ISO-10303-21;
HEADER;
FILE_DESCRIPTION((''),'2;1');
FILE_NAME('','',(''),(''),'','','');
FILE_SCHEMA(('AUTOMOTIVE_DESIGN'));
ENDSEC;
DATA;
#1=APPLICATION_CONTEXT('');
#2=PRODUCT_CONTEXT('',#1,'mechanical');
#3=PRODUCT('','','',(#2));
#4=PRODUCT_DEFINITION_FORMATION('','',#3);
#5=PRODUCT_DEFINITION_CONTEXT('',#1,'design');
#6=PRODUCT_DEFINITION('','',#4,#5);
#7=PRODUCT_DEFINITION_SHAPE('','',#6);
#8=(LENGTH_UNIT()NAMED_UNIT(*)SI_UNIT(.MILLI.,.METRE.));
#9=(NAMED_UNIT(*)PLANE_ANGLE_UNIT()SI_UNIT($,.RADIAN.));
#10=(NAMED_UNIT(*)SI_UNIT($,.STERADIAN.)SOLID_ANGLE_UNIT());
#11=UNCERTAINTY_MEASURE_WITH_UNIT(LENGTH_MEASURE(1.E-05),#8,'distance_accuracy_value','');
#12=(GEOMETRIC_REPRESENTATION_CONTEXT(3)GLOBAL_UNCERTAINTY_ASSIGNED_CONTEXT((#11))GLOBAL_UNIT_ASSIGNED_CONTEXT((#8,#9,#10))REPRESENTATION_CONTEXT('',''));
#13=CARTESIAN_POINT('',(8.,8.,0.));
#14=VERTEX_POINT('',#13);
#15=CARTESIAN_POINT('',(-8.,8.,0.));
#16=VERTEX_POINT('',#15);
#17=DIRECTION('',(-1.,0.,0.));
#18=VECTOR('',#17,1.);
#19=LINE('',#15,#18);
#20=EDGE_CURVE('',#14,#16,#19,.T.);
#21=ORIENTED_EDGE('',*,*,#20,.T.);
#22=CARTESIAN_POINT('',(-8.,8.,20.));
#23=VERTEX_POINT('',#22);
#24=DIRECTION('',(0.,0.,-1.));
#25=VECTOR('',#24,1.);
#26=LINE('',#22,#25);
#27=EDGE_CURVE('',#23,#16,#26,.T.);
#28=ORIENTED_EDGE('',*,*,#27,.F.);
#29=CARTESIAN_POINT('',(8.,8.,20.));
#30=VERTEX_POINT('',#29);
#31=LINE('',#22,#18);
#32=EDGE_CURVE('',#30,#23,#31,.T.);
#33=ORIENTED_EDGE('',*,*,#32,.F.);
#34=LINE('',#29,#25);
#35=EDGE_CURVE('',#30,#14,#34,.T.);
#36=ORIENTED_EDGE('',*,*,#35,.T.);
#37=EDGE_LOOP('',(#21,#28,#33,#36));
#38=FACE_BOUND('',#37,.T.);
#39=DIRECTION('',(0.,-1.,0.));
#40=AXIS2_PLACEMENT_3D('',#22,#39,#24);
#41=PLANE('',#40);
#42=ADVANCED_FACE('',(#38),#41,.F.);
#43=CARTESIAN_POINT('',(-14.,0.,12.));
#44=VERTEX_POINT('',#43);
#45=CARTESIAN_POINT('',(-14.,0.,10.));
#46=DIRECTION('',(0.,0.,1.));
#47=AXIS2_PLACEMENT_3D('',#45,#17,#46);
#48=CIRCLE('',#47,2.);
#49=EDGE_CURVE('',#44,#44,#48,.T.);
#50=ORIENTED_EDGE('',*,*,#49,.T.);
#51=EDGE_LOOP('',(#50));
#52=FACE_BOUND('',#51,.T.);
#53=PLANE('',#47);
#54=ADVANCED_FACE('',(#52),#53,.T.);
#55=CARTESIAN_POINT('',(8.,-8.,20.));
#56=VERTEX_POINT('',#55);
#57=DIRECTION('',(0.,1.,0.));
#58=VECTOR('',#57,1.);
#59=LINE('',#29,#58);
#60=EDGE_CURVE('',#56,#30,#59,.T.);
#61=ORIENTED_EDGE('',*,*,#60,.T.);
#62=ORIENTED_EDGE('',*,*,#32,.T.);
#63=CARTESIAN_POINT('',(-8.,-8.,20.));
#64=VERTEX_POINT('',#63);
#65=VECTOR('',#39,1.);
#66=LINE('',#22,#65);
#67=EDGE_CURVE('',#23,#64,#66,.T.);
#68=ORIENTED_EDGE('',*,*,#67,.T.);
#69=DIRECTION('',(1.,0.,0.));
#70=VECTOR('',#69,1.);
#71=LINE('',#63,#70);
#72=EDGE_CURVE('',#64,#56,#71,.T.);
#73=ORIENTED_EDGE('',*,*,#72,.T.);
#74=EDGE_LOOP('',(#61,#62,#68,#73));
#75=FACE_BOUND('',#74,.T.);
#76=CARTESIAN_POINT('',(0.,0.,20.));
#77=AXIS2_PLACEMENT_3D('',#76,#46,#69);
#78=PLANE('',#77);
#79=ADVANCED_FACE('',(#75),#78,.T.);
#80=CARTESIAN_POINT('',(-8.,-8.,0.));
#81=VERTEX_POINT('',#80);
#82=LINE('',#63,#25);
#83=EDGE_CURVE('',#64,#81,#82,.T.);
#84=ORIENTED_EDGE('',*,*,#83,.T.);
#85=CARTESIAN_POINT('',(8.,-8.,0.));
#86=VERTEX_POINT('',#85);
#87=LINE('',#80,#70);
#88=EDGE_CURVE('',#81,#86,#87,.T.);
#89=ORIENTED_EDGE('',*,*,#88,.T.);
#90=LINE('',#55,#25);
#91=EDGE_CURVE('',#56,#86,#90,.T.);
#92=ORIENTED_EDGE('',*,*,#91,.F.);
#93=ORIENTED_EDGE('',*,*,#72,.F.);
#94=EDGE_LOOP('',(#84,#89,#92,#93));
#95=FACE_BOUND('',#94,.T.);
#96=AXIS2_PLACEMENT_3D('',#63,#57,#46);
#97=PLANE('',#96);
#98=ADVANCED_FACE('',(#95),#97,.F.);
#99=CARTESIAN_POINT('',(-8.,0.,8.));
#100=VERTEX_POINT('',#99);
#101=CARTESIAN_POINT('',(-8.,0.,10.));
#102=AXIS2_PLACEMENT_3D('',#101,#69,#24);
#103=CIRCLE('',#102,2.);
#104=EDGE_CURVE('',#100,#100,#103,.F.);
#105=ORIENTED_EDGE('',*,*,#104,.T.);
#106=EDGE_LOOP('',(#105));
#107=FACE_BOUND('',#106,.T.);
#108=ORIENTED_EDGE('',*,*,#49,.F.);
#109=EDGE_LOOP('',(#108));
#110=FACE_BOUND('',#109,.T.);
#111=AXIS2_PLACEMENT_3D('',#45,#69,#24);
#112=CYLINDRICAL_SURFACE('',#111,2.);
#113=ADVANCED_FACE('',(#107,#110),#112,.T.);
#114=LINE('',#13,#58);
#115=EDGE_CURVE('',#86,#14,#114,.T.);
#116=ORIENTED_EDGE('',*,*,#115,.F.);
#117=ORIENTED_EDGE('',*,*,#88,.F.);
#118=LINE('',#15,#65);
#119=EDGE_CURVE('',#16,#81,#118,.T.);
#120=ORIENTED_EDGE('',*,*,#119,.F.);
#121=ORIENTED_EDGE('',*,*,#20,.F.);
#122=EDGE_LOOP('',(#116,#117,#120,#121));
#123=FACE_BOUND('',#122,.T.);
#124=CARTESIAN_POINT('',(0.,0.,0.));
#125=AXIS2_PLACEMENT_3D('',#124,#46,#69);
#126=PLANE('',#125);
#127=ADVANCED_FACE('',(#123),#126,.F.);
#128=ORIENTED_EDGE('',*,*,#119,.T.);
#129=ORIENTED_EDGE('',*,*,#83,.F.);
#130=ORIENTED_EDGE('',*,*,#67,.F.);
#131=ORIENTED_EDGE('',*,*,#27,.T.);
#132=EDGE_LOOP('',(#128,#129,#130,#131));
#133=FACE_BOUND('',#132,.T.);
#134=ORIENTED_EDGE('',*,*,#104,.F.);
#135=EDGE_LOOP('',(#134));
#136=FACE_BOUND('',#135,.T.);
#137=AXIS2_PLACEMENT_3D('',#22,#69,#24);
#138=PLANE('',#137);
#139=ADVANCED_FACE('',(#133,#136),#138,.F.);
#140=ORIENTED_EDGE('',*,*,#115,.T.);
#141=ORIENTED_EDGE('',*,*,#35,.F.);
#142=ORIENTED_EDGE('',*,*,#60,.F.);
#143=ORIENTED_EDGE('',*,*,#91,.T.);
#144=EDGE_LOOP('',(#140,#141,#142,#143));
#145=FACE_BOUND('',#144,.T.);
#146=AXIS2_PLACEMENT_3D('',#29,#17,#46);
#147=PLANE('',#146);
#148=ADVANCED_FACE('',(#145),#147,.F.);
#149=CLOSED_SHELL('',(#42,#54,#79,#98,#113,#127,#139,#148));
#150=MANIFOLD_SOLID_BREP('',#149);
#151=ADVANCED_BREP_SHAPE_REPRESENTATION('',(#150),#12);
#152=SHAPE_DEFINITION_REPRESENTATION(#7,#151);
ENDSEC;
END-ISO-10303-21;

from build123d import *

# Parameters (mm, degrees)
SKETCH2_W           = 16
SKETCH2_H           = 16
BOSS_EXTRUDE1_DEPTH = 20
SKETCH3_R           = 2
BOSS_EXTRUDE2_DEPTH = 6


with BuildPart() as part:
    # Sketch2 → Boss-Extrude1 (new body)
    with BuildSketch(Plane.XY):
        Rectangle(SKETCH2_W, SKETCH2_H)
    extrude(amount=BOSS_EXTRUDE1_DEPTH)

    # Sketch3 → Boss-Extrude2 (add)
    with BuildSketch(Plane.ZY.offset(8)):
        with Locations((10, 0)):
            Circle(SKETCH3_R)
    extrude(amount=BOSS_EXTRUDE2_DEPTH)


solid = part.part
